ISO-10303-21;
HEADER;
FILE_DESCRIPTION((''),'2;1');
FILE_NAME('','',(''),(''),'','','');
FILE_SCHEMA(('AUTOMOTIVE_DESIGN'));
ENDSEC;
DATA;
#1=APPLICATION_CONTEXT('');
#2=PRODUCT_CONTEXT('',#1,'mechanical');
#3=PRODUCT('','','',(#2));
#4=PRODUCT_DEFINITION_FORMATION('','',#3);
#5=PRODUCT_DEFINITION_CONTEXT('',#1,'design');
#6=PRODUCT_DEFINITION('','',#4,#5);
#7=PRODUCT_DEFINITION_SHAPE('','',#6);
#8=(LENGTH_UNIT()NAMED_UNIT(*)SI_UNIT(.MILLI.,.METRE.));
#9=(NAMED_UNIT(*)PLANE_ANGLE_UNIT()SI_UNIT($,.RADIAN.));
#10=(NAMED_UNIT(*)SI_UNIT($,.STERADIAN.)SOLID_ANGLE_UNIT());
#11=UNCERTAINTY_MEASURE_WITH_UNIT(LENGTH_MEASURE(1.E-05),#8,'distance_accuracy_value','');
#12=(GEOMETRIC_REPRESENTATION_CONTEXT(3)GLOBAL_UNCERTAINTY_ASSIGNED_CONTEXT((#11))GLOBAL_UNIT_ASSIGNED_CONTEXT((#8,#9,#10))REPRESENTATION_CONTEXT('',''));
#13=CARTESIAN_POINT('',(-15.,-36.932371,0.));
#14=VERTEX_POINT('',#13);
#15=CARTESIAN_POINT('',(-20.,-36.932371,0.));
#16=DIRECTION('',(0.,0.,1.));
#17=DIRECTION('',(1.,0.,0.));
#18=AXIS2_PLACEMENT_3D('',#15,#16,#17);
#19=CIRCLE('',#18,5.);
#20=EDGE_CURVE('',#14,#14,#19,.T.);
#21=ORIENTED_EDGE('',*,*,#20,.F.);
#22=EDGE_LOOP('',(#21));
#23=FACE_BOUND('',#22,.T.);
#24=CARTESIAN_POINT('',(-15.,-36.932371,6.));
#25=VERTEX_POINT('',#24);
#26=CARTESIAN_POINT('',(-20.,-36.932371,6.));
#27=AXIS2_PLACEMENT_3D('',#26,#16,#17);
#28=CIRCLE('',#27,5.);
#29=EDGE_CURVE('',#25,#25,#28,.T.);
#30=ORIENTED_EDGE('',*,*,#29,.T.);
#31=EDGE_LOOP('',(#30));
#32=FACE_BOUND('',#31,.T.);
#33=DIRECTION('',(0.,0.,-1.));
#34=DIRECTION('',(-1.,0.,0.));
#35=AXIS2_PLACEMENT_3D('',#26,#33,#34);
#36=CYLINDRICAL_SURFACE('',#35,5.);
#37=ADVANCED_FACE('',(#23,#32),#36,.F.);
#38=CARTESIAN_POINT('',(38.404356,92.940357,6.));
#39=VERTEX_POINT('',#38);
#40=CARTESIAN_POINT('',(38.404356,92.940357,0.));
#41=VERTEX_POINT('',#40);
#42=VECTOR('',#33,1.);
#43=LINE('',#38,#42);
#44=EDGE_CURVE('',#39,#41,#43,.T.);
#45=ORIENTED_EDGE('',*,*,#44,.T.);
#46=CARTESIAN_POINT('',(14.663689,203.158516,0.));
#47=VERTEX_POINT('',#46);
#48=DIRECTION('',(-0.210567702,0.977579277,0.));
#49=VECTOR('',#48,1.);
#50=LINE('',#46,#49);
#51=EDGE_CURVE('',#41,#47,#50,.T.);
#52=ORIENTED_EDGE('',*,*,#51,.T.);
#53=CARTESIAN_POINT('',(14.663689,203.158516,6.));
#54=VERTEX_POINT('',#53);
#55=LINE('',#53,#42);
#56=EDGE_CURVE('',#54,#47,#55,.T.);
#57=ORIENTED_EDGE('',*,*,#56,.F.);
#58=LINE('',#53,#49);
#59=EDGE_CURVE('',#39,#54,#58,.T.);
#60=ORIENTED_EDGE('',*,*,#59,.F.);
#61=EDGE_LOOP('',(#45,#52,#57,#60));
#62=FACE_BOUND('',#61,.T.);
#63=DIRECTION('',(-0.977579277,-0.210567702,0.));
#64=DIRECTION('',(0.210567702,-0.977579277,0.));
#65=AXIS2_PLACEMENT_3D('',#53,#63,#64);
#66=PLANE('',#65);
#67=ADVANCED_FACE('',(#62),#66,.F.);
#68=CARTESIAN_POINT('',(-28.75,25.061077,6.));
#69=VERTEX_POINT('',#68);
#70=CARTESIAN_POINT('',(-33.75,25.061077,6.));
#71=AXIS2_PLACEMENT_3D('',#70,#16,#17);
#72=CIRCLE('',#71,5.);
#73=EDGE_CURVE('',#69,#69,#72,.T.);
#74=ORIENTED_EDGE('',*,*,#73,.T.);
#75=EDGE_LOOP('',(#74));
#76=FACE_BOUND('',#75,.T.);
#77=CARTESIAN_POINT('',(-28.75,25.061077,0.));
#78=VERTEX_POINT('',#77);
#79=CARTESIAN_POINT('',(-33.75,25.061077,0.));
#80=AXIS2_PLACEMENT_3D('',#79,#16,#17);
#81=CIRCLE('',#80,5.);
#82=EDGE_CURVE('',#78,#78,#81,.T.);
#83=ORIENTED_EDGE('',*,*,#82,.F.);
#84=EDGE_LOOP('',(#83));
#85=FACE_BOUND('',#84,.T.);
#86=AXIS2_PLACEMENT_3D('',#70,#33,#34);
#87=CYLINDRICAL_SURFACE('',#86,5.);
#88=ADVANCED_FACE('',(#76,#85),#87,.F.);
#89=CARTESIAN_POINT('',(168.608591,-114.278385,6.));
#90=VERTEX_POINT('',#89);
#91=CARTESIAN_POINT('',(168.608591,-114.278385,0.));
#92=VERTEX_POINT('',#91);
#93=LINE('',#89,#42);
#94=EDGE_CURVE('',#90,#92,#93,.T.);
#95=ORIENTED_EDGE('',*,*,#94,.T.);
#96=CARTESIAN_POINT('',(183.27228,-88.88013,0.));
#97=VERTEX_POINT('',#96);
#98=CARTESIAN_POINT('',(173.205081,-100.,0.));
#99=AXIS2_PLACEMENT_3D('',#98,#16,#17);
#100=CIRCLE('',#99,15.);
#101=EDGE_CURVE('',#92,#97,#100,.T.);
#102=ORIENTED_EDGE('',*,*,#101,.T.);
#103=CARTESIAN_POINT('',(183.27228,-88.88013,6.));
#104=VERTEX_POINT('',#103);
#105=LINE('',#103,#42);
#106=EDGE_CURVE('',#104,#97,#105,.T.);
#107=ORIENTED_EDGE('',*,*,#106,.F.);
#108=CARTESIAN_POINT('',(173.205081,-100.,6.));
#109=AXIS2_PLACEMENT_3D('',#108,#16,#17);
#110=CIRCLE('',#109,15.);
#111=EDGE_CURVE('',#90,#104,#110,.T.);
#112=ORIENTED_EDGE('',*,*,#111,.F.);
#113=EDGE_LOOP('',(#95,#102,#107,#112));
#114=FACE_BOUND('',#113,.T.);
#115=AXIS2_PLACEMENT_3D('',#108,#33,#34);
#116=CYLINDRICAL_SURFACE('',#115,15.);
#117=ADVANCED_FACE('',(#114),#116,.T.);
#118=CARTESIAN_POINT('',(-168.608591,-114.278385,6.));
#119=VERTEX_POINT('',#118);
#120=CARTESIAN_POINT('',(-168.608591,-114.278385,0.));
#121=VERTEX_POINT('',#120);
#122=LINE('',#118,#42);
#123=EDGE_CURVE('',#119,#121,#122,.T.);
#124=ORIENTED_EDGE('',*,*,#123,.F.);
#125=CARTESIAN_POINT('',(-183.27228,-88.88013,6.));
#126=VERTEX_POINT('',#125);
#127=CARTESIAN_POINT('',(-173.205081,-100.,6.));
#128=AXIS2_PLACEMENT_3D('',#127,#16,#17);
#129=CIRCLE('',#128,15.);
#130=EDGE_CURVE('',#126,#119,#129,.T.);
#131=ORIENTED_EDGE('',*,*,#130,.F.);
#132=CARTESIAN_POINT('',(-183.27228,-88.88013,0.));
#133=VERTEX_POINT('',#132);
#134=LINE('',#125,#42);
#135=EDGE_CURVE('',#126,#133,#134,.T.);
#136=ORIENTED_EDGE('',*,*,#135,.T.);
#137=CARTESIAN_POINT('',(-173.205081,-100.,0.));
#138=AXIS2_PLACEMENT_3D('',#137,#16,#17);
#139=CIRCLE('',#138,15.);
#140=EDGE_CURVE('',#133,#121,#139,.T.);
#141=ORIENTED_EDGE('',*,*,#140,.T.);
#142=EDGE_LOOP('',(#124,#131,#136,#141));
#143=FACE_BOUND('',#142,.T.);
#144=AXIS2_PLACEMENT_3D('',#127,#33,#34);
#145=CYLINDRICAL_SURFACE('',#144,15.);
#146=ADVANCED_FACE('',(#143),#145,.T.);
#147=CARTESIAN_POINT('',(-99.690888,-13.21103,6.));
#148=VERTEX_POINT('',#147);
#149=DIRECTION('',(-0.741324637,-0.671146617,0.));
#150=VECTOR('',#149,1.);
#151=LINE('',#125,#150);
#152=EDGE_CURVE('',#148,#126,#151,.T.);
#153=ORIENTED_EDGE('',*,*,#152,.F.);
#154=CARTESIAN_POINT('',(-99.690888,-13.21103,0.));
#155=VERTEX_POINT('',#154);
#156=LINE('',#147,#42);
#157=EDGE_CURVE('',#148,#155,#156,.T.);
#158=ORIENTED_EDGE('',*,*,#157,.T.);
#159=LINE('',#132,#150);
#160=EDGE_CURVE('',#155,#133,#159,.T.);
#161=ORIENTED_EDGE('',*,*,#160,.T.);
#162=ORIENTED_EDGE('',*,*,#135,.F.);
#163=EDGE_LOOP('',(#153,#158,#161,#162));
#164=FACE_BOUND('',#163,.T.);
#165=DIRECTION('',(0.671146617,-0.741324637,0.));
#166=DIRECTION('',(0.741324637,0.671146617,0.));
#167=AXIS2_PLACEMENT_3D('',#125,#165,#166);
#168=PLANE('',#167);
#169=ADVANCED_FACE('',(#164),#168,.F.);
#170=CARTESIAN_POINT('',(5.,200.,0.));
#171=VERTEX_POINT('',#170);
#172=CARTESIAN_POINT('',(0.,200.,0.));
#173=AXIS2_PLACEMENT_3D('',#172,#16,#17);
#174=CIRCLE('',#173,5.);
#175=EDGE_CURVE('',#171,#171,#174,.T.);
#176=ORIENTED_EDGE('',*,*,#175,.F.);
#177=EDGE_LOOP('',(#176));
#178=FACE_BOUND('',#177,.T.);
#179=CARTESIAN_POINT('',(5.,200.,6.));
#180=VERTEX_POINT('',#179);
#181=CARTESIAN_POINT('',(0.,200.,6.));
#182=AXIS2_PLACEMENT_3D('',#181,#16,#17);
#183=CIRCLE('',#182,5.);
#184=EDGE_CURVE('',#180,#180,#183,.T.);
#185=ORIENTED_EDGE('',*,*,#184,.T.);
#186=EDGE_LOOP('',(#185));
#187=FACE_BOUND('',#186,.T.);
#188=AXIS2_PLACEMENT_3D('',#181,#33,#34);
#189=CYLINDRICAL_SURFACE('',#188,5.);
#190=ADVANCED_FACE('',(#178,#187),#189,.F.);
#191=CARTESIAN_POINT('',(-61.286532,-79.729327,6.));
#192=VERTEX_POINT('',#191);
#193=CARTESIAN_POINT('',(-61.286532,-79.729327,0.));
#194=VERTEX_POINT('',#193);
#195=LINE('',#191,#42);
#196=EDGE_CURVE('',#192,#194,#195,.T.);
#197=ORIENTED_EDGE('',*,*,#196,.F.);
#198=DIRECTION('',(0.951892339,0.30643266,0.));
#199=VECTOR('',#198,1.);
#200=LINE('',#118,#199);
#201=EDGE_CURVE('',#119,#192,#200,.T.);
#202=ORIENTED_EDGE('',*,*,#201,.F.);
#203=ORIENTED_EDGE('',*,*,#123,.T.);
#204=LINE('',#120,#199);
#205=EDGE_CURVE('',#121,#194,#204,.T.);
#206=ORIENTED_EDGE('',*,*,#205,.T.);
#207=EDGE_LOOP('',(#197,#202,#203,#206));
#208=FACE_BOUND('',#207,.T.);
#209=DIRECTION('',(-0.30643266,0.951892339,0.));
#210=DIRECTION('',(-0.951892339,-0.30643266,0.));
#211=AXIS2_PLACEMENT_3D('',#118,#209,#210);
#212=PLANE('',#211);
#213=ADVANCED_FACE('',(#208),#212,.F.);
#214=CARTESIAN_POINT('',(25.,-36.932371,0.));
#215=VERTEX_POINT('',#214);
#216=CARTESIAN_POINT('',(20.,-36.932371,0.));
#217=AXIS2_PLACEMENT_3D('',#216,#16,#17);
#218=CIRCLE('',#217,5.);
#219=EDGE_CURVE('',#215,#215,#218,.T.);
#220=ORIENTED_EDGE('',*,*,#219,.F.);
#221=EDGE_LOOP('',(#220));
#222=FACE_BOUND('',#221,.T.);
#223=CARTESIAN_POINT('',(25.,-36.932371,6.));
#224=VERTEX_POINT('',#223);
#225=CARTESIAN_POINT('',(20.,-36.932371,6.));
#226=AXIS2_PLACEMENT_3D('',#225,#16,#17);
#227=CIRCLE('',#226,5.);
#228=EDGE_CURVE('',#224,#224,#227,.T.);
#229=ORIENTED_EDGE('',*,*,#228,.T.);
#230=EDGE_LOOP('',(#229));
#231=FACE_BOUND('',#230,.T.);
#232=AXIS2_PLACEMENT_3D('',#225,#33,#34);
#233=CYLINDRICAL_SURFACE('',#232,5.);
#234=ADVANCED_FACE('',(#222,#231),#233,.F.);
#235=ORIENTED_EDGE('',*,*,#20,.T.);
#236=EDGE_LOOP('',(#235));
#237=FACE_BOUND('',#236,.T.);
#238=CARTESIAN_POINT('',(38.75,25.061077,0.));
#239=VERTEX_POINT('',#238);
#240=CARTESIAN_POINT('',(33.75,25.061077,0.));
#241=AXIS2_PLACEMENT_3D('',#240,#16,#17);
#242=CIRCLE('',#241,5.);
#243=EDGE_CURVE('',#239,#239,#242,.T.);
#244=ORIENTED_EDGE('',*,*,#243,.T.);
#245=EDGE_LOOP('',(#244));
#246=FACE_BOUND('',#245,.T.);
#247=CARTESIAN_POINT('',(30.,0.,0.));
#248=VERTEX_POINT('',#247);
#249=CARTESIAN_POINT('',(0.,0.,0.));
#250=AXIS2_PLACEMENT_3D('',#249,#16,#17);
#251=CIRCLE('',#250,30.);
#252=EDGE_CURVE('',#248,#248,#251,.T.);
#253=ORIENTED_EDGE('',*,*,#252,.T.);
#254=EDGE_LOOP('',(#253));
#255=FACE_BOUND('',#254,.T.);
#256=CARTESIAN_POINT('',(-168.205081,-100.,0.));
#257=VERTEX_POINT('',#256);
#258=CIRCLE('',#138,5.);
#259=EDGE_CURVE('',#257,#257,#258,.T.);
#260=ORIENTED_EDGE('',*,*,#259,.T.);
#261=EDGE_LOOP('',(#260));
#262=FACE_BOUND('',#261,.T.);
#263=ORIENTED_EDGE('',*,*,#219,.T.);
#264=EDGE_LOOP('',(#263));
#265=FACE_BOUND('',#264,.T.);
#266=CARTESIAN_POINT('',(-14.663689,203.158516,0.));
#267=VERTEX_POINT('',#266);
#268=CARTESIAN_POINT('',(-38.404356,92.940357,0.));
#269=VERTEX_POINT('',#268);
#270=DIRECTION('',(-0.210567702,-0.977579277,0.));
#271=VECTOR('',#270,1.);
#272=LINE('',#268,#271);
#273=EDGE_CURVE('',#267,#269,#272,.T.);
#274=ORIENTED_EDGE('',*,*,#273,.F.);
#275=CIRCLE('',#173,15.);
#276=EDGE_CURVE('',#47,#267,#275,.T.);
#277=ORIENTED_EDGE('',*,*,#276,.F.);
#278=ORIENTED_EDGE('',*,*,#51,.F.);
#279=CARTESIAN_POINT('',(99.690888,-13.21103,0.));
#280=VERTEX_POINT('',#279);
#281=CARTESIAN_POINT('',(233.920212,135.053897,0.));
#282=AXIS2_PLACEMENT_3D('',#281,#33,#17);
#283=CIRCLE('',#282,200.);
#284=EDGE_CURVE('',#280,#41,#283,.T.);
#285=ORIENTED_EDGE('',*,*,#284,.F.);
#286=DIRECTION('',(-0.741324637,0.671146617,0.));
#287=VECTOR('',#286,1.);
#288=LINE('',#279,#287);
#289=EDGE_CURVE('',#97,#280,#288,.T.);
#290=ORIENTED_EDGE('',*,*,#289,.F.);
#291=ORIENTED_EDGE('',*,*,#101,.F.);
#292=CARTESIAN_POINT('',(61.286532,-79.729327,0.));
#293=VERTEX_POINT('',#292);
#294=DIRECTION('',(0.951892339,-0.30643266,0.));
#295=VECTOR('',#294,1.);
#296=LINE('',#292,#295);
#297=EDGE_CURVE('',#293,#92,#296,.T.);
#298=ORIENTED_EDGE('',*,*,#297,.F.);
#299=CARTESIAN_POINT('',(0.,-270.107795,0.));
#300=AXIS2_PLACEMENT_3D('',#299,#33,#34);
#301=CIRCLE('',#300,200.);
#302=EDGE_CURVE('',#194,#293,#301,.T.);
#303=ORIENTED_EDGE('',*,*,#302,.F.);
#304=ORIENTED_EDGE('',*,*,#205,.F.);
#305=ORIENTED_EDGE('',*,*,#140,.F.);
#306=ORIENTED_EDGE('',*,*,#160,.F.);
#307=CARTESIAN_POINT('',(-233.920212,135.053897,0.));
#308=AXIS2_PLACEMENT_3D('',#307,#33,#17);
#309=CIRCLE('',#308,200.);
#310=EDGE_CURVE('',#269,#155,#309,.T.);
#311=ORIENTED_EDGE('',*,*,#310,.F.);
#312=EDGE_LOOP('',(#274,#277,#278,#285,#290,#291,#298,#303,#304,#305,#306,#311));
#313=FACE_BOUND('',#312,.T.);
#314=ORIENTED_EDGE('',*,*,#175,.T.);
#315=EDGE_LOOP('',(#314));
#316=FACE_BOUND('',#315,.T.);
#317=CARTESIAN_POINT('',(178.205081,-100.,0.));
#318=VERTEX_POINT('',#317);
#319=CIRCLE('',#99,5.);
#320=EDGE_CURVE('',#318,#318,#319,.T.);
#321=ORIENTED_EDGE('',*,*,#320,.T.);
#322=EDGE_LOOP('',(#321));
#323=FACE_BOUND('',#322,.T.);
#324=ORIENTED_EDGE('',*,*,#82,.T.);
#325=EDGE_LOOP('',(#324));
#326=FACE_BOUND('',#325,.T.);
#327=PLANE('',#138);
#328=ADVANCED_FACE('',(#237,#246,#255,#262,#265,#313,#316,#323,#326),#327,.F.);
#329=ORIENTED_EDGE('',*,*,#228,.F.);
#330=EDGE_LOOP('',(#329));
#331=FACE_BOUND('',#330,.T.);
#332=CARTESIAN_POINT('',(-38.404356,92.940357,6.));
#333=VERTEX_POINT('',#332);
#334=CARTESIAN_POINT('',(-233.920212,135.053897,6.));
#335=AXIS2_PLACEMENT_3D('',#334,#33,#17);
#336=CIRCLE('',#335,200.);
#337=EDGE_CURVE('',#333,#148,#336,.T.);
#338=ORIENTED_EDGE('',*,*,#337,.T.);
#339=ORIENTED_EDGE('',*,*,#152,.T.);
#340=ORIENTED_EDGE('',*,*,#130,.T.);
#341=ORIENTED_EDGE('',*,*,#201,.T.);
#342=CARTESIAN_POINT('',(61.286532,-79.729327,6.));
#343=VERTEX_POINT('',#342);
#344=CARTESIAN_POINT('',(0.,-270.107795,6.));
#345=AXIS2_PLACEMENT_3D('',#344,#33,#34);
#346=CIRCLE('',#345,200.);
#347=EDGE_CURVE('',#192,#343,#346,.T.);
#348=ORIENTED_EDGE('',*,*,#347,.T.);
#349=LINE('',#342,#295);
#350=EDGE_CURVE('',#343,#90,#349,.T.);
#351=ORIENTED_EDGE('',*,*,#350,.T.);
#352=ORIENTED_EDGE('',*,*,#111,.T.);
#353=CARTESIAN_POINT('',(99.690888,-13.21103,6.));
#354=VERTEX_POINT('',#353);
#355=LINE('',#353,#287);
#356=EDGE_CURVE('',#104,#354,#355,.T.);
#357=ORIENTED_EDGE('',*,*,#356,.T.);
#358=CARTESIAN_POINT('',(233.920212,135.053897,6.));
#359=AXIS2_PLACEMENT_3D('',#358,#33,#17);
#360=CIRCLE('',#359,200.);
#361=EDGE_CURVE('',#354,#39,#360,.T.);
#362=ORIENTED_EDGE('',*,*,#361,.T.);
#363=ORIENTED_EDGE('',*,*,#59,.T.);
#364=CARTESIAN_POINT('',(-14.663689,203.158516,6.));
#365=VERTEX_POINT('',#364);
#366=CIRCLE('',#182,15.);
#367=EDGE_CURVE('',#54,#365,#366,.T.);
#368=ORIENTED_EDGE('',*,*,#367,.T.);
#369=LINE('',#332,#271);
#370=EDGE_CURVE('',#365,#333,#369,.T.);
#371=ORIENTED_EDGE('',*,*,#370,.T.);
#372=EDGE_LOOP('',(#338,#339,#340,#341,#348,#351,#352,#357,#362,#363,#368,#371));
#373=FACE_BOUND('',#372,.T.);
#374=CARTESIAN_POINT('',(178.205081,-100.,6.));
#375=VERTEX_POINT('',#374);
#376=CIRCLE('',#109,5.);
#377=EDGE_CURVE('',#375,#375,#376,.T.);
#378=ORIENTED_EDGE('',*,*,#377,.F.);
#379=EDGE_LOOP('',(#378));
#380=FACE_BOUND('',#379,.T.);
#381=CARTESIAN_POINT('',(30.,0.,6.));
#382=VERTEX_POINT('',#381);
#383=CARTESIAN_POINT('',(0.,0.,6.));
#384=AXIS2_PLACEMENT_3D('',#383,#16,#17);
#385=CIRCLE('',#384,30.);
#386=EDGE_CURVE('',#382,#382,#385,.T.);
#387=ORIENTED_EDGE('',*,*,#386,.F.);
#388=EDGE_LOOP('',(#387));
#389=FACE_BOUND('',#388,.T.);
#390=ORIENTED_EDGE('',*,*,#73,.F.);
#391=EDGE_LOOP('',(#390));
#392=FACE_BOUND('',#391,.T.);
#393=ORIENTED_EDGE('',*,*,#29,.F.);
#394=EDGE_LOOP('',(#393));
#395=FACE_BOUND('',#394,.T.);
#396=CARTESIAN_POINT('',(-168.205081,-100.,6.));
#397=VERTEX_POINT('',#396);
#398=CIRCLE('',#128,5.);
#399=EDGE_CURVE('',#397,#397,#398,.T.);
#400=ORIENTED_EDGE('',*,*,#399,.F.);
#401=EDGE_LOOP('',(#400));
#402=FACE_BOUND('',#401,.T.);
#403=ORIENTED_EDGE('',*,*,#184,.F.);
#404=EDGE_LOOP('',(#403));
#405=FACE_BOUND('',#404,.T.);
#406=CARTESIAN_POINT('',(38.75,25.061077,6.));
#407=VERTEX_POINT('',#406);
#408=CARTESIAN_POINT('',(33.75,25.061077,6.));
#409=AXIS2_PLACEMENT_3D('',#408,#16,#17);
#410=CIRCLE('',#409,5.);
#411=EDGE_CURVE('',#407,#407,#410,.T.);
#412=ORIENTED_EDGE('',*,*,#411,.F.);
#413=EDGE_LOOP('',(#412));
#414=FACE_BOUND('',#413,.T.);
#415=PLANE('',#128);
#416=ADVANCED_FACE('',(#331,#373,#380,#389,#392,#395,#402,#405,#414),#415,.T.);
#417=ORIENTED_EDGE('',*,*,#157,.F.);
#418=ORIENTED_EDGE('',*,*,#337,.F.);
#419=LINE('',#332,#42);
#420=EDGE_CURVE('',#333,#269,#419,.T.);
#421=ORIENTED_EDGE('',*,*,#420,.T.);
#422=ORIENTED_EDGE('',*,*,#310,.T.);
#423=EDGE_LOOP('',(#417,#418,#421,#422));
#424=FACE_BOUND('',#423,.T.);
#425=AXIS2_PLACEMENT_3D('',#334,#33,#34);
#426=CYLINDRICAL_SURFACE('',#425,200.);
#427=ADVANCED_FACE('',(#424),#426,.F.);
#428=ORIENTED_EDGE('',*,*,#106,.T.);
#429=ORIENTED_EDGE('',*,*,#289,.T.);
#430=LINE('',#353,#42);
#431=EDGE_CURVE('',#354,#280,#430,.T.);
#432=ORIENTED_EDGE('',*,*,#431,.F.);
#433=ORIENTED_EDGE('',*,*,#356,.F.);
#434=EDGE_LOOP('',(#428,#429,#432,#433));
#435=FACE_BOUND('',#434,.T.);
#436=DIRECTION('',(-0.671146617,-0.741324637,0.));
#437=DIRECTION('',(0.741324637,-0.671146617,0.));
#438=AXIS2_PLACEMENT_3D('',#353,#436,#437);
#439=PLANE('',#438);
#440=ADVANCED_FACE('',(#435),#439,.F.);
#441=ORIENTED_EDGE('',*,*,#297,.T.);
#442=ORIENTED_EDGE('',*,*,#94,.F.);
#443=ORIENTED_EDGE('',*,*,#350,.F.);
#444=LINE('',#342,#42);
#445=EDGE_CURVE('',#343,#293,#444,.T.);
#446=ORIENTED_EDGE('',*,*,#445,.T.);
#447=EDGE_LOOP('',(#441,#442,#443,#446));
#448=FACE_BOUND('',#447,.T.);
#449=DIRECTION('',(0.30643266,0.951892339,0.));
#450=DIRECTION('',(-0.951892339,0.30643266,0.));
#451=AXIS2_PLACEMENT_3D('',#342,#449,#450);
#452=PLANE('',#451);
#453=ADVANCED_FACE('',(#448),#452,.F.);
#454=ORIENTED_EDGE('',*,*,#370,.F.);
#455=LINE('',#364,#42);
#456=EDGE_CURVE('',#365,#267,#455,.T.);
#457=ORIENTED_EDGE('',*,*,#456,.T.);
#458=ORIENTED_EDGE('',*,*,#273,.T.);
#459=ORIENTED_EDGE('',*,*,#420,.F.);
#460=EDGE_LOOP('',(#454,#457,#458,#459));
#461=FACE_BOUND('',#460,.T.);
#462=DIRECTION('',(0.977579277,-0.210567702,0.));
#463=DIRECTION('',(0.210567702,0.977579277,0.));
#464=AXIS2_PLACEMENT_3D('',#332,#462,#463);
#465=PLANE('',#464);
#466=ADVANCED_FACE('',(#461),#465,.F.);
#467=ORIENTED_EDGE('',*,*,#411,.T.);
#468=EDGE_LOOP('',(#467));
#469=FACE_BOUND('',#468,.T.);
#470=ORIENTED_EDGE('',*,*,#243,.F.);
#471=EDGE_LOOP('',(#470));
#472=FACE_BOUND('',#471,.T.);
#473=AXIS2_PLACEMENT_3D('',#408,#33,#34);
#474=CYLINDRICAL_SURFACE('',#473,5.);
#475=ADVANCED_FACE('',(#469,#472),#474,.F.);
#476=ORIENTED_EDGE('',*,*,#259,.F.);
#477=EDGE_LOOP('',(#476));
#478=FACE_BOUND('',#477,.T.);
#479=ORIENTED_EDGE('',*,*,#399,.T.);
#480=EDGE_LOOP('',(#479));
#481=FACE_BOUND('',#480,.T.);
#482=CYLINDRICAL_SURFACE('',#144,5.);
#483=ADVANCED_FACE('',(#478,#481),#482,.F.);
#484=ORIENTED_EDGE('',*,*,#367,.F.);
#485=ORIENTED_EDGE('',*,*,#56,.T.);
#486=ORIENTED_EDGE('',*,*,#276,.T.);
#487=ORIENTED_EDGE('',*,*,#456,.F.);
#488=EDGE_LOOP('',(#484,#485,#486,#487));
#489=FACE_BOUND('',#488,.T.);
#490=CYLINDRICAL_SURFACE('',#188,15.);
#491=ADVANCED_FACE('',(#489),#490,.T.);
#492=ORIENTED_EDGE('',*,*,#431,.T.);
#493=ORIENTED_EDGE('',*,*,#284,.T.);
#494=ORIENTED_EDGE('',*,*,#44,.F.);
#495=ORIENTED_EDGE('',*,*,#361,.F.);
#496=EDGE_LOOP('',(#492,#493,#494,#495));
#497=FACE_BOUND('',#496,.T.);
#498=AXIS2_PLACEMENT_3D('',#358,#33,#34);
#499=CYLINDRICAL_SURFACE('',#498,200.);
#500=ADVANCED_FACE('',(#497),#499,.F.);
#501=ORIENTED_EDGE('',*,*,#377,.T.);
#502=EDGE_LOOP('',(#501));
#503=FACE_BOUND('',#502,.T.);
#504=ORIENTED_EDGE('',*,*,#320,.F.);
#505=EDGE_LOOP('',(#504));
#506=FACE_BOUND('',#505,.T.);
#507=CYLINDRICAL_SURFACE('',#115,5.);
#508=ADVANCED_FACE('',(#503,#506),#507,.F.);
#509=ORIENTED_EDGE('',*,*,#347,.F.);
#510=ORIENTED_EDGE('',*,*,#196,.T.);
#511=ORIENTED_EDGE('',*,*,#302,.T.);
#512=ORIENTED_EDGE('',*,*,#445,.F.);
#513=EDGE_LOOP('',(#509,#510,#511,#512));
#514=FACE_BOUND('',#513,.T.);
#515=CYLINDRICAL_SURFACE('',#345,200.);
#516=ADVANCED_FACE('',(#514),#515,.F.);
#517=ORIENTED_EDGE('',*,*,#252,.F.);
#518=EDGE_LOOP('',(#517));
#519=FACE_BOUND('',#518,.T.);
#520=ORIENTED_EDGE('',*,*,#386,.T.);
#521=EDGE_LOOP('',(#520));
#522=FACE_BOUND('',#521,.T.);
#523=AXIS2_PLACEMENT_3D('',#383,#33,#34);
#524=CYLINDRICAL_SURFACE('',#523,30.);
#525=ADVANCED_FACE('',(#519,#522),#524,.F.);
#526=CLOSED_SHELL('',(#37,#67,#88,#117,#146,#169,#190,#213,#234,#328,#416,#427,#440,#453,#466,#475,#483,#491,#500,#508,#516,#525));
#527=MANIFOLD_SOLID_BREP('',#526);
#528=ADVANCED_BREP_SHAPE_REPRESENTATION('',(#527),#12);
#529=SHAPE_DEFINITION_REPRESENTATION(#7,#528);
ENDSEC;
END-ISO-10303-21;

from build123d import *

# Parameters (mm, degrees)
SKETCH1_R           = 5
SKETCH1_R_2         = 30
BOSS_EXTRUDE1_DEPTH = 6


with BuildPart() as part:
    # Sketch1 → Boss-Extrude1 (new body)
    with BuildSketch(Plane.XY):
        with BuildLine():
            Line((-183.272280019, -88.88013044), (-99.69088835, -13.21103019))
            ThreePointArc((-99.69088835, -13.21103019), (-60.715131082, 35.053897274), (-38.40435642, 92.940356932))
            Line((-38.40435642, 92.940356932), (-14.663689156, 203.158515526))
            ThreePointArc((-14.663689156, 203.158515526), (0, 215), (14.663689156, 203.158515526))
            Line((14.663689156, 203.158515526), (38.40435642, 92.940356932))
            ThreePointArc((38.40435642, 92.940356932), (60.715131082, 35.053897274), (99.69088835, -13.21103019))
            Line((99.69088835, -13.21103019), (183.272280019, -88.88013044))
            ThreePointArc((183.272280019, -88.88013044), (186.195461814, -107.5), (168.608590862, -114.278385085))
            Line((168.608590862, -114.278385085), (61.28653193, -79.729326742))
            ThreePointArc((61.28653193, -79.729326742), (0, -70.107794548), (-61.28653193, -79.729326742))
            Line((-61.28653193, -79.729326742), (-168.608590862, -114.278385085))
            ThreePointArc((-168.608590862, -114.278385085), (-186.195461814, -107.5), (-183.272280019, -88.88013044))
        make_face()
        with Locations((0, 200)):
            Circle(SKETCH1_R, mode=Mode.SUBTRACT)
        with Locations((173.205080757, -100)):
            Circle(SKETCH1_R, mode=Mode.SUBTRACT)
        with Locations((-173.205080757, -100)):
            Circle(SKETCH1_R, mode=Mode.SUBTRACT)
        Circle(SKETCH1_R_2, mode=Mode.SUBTRACT)
        with Locations((-33.75, 25.061076609)):
            Circle(SKETCH1_R, mode=Mode.SUBTRACT)
        with Locations((33.75, 25.061076609)):
            Circle(SKETCH1_R, mode=Mode.SUBTRACT)
        with Locations((-20, -36.932370625)):
            Circle(SKETCH1_R, mode=Mode.SUBTRACT)
        with Locations((20, -36.932370625)):
            Circle(SKETCH1_R, mode=Mode.SUBTRACT)
    extrude(amount=BOSS_EXTRUDE1_DEPTH)


solid = part.part
